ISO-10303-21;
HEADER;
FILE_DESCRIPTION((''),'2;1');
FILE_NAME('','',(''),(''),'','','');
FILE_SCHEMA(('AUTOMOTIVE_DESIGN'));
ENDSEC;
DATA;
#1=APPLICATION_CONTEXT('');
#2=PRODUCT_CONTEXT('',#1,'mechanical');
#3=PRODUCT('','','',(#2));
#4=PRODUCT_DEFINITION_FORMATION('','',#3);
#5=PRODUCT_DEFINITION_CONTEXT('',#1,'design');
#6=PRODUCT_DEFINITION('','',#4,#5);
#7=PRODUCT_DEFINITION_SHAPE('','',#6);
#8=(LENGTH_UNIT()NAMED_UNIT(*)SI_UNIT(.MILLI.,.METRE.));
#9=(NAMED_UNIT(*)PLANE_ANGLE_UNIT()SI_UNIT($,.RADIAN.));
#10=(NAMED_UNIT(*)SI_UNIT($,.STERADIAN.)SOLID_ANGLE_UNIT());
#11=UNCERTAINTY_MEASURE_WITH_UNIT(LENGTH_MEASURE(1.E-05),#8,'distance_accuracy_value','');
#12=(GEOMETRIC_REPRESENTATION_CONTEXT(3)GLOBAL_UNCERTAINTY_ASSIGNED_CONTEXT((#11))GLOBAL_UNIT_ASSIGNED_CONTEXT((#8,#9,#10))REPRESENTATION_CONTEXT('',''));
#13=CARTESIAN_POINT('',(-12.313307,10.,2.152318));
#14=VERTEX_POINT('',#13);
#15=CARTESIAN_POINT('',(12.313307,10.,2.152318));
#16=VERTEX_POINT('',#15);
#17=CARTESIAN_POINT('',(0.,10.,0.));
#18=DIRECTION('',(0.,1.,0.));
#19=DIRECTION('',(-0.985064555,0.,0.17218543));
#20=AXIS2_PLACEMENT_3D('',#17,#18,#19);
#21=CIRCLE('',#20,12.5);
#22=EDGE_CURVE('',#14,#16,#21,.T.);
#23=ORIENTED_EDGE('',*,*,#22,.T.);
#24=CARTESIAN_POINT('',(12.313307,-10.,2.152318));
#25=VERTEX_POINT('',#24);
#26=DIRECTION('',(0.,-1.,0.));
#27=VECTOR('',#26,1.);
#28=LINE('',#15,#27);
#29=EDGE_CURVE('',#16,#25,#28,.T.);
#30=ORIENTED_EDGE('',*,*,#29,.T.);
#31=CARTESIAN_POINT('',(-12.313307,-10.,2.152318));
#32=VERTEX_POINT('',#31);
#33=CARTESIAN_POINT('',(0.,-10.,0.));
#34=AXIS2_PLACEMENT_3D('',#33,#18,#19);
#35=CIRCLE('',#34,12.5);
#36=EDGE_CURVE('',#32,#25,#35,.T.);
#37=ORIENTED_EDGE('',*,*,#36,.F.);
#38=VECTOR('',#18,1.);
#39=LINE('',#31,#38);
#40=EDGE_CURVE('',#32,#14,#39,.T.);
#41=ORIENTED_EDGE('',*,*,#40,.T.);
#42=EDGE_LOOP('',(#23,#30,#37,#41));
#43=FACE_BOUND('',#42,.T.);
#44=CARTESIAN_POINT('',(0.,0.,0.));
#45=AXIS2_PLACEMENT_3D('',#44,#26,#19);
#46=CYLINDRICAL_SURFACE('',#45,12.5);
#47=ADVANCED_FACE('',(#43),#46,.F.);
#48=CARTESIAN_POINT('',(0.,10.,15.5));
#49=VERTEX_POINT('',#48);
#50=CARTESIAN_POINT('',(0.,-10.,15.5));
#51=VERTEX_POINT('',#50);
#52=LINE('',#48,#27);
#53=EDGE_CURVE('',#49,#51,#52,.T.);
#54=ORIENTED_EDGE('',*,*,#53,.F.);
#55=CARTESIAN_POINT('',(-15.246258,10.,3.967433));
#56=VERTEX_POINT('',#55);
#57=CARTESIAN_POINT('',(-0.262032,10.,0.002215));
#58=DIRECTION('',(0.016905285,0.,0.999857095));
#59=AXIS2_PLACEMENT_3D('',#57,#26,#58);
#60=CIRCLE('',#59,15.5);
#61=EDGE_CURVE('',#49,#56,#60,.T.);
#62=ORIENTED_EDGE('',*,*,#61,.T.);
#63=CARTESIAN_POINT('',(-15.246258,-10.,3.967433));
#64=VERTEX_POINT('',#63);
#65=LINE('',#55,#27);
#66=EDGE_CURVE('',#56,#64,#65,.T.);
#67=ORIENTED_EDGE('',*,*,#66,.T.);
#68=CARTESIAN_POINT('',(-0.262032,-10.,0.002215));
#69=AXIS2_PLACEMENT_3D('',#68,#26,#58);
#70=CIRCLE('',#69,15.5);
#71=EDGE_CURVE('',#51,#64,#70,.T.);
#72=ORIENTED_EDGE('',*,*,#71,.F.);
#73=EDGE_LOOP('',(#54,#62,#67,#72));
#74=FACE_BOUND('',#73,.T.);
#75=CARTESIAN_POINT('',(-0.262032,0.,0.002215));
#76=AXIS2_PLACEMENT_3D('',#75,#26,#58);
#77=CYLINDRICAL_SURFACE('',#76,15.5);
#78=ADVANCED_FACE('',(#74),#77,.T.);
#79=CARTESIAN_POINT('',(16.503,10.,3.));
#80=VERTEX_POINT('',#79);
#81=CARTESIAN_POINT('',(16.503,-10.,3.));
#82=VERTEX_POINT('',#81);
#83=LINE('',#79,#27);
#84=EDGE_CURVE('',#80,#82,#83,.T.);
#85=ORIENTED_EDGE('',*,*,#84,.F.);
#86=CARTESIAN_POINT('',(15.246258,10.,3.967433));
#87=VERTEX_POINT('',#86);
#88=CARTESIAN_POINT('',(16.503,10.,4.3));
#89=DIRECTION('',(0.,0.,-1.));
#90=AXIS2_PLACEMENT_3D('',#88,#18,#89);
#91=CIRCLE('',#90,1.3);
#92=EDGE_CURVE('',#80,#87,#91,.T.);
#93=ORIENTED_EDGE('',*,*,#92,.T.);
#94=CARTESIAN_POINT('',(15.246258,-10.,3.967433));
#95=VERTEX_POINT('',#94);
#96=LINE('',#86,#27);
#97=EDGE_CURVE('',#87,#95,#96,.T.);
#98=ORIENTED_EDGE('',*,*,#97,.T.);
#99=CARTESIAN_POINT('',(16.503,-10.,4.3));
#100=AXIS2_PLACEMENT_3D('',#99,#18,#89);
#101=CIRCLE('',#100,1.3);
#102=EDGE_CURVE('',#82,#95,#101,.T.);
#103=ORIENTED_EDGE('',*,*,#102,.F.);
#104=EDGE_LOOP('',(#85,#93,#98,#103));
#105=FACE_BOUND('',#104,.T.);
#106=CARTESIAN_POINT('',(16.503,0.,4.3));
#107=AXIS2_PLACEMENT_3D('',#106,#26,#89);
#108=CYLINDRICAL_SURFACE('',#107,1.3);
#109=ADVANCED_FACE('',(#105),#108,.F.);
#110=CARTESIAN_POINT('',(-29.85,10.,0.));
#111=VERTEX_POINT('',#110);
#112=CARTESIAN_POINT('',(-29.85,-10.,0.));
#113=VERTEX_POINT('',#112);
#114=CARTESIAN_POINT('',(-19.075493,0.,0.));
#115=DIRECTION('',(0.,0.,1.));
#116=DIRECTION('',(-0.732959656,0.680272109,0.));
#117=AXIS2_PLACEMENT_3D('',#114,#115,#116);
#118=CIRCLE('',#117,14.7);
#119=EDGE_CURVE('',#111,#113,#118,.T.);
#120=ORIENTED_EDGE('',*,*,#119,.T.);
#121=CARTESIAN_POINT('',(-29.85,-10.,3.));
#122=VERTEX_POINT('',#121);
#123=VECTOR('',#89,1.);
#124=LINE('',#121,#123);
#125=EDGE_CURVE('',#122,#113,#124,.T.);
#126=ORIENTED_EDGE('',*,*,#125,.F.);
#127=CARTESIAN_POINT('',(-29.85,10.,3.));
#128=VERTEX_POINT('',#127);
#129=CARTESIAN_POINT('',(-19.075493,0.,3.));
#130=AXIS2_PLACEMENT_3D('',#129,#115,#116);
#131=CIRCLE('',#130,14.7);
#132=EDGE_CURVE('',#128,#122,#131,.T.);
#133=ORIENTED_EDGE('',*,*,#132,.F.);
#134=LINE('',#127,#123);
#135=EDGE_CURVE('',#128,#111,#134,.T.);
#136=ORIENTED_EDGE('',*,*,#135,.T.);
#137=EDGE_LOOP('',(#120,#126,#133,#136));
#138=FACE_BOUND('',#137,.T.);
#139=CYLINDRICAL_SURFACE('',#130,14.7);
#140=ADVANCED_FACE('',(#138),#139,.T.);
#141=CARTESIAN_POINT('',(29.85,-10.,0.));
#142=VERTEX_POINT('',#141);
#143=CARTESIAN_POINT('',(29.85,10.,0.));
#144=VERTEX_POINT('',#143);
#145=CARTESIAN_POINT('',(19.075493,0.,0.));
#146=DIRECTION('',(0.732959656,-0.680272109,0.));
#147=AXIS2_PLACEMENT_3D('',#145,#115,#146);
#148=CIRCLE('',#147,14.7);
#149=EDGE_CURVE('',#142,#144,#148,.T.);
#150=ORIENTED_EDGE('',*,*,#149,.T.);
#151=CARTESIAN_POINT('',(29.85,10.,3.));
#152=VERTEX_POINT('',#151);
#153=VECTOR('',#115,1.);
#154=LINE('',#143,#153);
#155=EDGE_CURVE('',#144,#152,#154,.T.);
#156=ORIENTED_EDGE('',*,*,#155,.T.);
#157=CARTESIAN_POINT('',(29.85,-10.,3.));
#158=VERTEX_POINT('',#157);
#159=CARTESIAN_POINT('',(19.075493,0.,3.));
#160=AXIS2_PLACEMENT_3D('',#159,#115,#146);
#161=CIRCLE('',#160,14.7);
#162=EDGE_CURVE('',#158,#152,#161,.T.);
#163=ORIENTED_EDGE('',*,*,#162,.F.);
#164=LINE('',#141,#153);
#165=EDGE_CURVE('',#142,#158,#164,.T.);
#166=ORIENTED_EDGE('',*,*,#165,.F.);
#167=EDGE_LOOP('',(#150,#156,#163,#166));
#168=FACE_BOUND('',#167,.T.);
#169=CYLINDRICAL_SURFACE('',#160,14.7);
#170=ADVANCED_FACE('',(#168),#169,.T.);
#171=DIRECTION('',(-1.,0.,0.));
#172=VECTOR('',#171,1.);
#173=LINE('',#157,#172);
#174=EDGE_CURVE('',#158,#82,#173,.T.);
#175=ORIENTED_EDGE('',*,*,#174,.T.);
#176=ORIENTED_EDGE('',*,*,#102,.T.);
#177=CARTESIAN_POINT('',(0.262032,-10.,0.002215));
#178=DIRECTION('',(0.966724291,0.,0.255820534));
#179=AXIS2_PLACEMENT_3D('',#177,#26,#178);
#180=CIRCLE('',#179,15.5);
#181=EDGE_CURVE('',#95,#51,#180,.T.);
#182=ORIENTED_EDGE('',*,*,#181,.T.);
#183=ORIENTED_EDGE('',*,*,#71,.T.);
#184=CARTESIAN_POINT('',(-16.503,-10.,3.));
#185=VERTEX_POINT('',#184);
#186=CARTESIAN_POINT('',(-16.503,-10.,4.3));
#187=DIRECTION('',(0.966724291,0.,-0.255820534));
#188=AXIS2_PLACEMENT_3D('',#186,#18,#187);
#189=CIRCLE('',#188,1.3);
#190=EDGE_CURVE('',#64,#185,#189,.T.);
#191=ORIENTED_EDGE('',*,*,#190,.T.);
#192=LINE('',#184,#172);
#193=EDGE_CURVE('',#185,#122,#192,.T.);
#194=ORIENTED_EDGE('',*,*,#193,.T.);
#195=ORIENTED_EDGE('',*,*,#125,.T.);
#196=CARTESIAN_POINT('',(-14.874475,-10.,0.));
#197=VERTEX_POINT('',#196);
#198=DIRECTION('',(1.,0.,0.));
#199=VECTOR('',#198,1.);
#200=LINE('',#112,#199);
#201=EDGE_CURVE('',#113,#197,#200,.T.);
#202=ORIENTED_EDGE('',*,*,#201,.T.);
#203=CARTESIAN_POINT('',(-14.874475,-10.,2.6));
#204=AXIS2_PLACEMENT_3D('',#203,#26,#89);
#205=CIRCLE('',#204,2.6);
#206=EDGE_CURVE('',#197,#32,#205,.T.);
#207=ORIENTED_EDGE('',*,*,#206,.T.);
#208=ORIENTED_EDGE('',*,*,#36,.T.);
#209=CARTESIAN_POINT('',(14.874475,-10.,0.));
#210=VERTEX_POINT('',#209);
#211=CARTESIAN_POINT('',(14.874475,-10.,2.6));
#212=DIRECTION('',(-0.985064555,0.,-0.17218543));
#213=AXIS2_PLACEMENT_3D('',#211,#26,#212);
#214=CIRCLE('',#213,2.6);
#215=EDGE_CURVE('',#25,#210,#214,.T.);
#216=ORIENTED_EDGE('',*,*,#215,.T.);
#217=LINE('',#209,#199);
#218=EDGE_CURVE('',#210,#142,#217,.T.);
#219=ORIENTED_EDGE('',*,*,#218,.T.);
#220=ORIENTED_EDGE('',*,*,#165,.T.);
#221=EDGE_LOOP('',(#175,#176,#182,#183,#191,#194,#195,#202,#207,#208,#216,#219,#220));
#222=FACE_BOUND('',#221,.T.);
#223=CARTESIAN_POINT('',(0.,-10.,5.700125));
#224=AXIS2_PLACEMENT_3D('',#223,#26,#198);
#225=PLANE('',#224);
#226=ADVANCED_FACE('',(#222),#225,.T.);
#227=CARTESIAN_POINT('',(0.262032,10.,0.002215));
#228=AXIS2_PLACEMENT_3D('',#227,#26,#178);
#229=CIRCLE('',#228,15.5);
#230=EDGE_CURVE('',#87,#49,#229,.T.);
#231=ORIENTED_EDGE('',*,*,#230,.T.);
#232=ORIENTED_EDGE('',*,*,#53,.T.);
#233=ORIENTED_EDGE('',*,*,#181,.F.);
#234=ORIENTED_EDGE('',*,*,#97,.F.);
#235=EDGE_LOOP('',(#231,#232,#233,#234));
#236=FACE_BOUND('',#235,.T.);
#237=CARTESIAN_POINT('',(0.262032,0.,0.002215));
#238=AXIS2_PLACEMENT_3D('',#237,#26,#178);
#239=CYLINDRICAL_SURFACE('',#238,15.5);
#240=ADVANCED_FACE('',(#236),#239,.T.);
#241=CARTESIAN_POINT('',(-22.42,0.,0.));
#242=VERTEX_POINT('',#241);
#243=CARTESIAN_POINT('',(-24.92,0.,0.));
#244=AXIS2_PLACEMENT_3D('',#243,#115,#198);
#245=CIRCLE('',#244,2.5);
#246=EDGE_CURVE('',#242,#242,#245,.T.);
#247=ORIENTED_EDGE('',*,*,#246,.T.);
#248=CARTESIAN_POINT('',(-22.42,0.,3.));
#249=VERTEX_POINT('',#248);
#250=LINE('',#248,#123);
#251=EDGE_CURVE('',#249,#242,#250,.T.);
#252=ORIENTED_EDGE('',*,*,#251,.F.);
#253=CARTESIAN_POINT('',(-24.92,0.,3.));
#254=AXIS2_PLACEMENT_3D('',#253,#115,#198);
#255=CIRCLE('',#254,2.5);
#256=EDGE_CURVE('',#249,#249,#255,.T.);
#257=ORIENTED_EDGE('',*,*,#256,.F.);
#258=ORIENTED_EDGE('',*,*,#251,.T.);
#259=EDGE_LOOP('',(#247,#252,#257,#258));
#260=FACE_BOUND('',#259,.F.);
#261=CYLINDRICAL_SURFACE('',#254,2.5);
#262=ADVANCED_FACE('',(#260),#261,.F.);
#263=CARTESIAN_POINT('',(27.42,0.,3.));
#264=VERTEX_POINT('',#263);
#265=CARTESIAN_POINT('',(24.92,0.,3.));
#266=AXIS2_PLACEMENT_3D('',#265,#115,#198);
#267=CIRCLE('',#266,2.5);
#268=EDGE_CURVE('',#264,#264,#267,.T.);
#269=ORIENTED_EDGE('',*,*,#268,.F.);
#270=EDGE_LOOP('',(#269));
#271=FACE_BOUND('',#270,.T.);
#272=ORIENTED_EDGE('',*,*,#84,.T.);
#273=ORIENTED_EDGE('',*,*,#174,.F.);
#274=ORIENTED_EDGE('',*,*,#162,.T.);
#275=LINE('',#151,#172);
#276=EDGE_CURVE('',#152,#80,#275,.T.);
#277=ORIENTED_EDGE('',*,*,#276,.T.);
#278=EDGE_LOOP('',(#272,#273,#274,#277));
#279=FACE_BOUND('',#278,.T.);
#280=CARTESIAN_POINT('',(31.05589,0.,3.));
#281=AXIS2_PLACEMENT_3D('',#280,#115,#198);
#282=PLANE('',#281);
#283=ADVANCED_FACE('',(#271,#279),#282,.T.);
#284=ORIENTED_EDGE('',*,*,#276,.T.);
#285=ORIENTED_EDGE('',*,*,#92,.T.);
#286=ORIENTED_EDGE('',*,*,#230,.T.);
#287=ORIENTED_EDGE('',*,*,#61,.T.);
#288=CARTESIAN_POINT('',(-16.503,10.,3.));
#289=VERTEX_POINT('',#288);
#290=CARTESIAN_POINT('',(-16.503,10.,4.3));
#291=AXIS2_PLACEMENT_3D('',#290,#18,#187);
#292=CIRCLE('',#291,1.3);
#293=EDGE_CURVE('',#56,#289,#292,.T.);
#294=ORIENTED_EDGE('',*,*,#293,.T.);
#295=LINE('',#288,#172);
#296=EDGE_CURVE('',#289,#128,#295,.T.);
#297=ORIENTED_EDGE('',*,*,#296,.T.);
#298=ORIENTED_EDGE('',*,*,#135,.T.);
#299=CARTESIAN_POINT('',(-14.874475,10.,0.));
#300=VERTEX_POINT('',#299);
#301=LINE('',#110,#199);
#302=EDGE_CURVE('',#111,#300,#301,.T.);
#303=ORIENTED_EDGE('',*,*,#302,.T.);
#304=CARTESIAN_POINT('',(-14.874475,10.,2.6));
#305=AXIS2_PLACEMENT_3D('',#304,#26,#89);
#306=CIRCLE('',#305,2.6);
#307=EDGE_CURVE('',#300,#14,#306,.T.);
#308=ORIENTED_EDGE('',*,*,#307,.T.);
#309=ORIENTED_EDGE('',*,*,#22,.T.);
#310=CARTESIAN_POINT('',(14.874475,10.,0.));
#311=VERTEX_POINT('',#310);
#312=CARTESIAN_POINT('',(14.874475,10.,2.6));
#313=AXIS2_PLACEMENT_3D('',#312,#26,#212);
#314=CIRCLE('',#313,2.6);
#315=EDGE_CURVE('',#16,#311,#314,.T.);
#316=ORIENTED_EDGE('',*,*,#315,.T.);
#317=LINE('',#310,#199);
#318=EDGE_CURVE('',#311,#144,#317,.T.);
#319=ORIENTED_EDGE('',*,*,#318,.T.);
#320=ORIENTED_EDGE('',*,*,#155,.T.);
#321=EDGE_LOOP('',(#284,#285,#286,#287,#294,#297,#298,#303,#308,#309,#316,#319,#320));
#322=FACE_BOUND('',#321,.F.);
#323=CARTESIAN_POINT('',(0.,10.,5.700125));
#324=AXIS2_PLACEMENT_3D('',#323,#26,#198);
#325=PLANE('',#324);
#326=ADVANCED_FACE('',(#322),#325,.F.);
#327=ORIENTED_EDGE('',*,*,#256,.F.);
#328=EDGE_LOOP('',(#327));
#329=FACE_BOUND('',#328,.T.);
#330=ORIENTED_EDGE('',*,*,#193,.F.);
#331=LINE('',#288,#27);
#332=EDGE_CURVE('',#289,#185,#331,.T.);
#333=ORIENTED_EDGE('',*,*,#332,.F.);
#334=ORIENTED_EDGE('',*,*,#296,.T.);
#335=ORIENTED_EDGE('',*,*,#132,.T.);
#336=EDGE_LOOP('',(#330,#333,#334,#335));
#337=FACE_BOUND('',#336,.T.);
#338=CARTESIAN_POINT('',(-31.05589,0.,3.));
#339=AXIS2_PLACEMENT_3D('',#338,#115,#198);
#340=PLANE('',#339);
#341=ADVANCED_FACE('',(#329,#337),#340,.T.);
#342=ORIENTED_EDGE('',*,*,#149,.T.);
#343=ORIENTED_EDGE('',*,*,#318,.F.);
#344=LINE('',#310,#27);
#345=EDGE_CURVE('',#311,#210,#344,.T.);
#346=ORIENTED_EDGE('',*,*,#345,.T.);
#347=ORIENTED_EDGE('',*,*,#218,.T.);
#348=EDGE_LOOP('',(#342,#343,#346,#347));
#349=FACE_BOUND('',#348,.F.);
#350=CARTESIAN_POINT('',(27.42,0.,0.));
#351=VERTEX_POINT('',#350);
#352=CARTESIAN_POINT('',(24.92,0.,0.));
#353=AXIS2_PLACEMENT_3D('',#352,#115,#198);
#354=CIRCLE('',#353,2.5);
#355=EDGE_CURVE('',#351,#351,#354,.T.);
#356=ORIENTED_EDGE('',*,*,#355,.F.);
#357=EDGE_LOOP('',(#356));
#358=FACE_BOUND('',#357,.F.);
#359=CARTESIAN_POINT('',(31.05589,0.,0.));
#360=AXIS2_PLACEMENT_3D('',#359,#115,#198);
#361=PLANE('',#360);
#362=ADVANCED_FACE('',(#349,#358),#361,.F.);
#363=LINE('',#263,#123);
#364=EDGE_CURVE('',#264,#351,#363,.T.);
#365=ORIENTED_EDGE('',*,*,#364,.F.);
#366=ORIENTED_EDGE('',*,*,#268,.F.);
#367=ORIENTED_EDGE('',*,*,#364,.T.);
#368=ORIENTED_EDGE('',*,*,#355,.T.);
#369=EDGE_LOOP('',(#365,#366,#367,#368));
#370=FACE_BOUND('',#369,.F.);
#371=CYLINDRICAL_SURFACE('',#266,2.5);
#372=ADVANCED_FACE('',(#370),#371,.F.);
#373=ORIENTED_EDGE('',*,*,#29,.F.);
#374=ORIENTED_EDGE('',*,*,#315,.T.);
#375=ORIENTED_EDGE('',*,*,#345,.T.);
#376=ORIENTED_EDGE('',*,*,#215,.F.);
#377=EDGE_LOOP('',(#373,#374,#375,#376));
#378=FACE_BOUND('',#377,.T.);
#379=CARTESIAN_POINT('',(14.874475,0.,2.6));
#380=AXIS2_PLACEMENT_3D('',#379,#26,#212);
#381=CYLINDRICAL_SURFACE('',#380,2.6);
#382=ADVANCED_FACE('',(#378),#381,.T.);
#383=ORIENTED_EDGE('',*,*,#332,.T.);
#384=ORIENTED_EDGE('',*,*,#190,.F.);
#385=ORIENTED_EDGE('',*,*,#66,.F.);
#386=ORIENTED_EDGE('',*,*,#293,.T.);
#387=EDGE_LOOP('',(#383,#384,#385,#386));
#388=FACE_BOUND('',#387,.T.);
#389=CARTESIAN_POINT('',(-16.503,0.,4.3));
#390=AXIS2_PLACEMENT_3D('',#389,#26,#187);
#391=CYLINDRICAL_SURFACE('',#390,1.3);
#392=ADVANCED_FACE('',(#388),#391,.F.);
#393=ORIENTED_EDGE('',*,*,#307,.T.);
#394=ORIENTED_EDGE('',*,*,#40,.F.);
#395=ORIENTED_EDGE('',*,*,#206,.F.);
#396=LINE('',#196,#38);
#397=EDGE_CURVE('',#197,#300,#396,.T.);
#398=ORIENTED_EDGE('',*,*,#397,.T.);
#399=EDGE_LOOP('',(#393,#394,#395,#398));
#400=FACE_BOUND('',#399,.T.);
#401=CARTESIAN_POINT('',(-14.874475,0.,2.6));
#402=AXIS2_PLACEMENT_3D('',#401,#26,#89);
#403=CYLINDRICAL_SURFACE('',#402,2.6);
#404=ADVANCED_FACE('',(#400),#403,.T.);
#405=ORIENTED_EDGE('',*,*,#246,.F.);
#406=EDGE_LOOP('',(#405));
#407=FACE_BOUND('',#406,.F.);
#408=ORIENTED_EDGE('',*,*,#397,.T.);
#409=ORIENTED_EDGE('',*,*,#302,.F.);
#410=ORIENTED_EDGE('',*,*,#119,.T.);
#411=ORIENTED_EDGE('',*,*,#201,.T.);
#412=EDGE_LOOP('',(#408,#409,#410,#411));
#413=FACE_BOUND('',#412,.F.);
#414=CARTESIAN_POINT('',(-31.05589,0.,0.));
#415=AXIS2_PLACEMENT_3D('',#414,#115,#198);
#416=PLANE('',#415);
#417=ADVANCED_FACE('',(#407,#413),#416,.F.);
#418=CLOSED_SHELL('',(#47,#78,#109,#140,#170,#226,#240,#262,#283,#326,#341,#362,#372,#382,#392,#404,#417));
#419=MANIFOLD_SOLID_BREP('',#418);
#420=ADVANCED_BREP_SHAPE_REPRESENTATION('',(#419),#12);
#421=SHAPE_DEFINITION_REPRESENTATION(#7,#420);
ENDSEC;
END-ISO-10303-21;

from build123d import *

# Parameters (mm, degrees)
F1_DEPTH = 10
F2_R     = 2.5
F3_DEPTH = 25
F5_DEPTH = 3
F7_DEPTH = 3


with BuildPart() as f1:
    # F0 (on Front) → F1 (new body, symmetric)
    with BuildSketch(Plane.XZ):
        with BuildLine():
            ThreePointArc((-12.3133069376, 2.1523178808), (0, 12.5), (12.3133069376, 2.1523178808))
            ThreePointArc((12.3133069376, 2.1523178808), (13.2017484895, 0.6095259974), (14.8744747806, 0))
            Line((14.8744747806, 0), (29.85, 0))
            Line((29.85, 0), (29.85, 3))
            Line((29.85, 3), (16.503, 3))
            ThreePointArc((16.503, 3), (15.7100109406, 3.2698697404), (15.2462584222, 3.9674333051))
            ThreePointArc((15.2462584222, 3.9674333051), (9.6127418909, 12.3640200256), (0, 15.5))
            ThreePointArc((0, 15.5), (-9.6127418909, 12.3640200256), (-15.2462584222, 3.9674333051))
            ThreePointArc((-15.2462584222, 3.9674333051), (-15.7100109406, 3.2698697404), (-16.503, 3))
            Line((-16.503, 3), (-29.85, 3))
            Line((-29.85, 3), (-29.85, 0))
            Line((-29.85, 0), (-14.8744747806, 0))
            ThreePointArc((-14.8744747806, 0), (-13.2017484895, 0.6095259974), (-12.3133069376, 2.1523178808))
        make_face()
    extrude(amount=F1_DEPTH, both=True)

    # F2 (on face) → F3 (cut)
    with BuildSketch(Plane.XY.offset(3)):
        with Locations((-24.92, 0)):
            Circle(F2_R)
        with Locations((24.92, 0)):
            Circle(F2_R)
    extrude(amount=-F3_DEPTH, mode=Mode.SUBTRACT)

    # F4 (on face) → F5 (join)
    with BuildSketch(Plane.XY.offset(3)):
        with BuildLine():
            Line((-29.85, -10), (-29.85, 10))
            ThreePointArc((-29.85, 10), (-33.7754930507, 0), (-29.85, -10))
        make_face()
    extrude(amount=-F5_DEPTH)

    # F6 (on face) → F7 (join)
    with BuildSketch(Plane.XY.offset(3)):
        with BuildLine():
            Line((29.85, 10), (29.85, -10))
            ThreePointArc((29.85, -10), (33.7754930507, 0), (29.85, 10))
        make_face()
    extrude(amount=-F7_DEPTH)


solid = f1.part
